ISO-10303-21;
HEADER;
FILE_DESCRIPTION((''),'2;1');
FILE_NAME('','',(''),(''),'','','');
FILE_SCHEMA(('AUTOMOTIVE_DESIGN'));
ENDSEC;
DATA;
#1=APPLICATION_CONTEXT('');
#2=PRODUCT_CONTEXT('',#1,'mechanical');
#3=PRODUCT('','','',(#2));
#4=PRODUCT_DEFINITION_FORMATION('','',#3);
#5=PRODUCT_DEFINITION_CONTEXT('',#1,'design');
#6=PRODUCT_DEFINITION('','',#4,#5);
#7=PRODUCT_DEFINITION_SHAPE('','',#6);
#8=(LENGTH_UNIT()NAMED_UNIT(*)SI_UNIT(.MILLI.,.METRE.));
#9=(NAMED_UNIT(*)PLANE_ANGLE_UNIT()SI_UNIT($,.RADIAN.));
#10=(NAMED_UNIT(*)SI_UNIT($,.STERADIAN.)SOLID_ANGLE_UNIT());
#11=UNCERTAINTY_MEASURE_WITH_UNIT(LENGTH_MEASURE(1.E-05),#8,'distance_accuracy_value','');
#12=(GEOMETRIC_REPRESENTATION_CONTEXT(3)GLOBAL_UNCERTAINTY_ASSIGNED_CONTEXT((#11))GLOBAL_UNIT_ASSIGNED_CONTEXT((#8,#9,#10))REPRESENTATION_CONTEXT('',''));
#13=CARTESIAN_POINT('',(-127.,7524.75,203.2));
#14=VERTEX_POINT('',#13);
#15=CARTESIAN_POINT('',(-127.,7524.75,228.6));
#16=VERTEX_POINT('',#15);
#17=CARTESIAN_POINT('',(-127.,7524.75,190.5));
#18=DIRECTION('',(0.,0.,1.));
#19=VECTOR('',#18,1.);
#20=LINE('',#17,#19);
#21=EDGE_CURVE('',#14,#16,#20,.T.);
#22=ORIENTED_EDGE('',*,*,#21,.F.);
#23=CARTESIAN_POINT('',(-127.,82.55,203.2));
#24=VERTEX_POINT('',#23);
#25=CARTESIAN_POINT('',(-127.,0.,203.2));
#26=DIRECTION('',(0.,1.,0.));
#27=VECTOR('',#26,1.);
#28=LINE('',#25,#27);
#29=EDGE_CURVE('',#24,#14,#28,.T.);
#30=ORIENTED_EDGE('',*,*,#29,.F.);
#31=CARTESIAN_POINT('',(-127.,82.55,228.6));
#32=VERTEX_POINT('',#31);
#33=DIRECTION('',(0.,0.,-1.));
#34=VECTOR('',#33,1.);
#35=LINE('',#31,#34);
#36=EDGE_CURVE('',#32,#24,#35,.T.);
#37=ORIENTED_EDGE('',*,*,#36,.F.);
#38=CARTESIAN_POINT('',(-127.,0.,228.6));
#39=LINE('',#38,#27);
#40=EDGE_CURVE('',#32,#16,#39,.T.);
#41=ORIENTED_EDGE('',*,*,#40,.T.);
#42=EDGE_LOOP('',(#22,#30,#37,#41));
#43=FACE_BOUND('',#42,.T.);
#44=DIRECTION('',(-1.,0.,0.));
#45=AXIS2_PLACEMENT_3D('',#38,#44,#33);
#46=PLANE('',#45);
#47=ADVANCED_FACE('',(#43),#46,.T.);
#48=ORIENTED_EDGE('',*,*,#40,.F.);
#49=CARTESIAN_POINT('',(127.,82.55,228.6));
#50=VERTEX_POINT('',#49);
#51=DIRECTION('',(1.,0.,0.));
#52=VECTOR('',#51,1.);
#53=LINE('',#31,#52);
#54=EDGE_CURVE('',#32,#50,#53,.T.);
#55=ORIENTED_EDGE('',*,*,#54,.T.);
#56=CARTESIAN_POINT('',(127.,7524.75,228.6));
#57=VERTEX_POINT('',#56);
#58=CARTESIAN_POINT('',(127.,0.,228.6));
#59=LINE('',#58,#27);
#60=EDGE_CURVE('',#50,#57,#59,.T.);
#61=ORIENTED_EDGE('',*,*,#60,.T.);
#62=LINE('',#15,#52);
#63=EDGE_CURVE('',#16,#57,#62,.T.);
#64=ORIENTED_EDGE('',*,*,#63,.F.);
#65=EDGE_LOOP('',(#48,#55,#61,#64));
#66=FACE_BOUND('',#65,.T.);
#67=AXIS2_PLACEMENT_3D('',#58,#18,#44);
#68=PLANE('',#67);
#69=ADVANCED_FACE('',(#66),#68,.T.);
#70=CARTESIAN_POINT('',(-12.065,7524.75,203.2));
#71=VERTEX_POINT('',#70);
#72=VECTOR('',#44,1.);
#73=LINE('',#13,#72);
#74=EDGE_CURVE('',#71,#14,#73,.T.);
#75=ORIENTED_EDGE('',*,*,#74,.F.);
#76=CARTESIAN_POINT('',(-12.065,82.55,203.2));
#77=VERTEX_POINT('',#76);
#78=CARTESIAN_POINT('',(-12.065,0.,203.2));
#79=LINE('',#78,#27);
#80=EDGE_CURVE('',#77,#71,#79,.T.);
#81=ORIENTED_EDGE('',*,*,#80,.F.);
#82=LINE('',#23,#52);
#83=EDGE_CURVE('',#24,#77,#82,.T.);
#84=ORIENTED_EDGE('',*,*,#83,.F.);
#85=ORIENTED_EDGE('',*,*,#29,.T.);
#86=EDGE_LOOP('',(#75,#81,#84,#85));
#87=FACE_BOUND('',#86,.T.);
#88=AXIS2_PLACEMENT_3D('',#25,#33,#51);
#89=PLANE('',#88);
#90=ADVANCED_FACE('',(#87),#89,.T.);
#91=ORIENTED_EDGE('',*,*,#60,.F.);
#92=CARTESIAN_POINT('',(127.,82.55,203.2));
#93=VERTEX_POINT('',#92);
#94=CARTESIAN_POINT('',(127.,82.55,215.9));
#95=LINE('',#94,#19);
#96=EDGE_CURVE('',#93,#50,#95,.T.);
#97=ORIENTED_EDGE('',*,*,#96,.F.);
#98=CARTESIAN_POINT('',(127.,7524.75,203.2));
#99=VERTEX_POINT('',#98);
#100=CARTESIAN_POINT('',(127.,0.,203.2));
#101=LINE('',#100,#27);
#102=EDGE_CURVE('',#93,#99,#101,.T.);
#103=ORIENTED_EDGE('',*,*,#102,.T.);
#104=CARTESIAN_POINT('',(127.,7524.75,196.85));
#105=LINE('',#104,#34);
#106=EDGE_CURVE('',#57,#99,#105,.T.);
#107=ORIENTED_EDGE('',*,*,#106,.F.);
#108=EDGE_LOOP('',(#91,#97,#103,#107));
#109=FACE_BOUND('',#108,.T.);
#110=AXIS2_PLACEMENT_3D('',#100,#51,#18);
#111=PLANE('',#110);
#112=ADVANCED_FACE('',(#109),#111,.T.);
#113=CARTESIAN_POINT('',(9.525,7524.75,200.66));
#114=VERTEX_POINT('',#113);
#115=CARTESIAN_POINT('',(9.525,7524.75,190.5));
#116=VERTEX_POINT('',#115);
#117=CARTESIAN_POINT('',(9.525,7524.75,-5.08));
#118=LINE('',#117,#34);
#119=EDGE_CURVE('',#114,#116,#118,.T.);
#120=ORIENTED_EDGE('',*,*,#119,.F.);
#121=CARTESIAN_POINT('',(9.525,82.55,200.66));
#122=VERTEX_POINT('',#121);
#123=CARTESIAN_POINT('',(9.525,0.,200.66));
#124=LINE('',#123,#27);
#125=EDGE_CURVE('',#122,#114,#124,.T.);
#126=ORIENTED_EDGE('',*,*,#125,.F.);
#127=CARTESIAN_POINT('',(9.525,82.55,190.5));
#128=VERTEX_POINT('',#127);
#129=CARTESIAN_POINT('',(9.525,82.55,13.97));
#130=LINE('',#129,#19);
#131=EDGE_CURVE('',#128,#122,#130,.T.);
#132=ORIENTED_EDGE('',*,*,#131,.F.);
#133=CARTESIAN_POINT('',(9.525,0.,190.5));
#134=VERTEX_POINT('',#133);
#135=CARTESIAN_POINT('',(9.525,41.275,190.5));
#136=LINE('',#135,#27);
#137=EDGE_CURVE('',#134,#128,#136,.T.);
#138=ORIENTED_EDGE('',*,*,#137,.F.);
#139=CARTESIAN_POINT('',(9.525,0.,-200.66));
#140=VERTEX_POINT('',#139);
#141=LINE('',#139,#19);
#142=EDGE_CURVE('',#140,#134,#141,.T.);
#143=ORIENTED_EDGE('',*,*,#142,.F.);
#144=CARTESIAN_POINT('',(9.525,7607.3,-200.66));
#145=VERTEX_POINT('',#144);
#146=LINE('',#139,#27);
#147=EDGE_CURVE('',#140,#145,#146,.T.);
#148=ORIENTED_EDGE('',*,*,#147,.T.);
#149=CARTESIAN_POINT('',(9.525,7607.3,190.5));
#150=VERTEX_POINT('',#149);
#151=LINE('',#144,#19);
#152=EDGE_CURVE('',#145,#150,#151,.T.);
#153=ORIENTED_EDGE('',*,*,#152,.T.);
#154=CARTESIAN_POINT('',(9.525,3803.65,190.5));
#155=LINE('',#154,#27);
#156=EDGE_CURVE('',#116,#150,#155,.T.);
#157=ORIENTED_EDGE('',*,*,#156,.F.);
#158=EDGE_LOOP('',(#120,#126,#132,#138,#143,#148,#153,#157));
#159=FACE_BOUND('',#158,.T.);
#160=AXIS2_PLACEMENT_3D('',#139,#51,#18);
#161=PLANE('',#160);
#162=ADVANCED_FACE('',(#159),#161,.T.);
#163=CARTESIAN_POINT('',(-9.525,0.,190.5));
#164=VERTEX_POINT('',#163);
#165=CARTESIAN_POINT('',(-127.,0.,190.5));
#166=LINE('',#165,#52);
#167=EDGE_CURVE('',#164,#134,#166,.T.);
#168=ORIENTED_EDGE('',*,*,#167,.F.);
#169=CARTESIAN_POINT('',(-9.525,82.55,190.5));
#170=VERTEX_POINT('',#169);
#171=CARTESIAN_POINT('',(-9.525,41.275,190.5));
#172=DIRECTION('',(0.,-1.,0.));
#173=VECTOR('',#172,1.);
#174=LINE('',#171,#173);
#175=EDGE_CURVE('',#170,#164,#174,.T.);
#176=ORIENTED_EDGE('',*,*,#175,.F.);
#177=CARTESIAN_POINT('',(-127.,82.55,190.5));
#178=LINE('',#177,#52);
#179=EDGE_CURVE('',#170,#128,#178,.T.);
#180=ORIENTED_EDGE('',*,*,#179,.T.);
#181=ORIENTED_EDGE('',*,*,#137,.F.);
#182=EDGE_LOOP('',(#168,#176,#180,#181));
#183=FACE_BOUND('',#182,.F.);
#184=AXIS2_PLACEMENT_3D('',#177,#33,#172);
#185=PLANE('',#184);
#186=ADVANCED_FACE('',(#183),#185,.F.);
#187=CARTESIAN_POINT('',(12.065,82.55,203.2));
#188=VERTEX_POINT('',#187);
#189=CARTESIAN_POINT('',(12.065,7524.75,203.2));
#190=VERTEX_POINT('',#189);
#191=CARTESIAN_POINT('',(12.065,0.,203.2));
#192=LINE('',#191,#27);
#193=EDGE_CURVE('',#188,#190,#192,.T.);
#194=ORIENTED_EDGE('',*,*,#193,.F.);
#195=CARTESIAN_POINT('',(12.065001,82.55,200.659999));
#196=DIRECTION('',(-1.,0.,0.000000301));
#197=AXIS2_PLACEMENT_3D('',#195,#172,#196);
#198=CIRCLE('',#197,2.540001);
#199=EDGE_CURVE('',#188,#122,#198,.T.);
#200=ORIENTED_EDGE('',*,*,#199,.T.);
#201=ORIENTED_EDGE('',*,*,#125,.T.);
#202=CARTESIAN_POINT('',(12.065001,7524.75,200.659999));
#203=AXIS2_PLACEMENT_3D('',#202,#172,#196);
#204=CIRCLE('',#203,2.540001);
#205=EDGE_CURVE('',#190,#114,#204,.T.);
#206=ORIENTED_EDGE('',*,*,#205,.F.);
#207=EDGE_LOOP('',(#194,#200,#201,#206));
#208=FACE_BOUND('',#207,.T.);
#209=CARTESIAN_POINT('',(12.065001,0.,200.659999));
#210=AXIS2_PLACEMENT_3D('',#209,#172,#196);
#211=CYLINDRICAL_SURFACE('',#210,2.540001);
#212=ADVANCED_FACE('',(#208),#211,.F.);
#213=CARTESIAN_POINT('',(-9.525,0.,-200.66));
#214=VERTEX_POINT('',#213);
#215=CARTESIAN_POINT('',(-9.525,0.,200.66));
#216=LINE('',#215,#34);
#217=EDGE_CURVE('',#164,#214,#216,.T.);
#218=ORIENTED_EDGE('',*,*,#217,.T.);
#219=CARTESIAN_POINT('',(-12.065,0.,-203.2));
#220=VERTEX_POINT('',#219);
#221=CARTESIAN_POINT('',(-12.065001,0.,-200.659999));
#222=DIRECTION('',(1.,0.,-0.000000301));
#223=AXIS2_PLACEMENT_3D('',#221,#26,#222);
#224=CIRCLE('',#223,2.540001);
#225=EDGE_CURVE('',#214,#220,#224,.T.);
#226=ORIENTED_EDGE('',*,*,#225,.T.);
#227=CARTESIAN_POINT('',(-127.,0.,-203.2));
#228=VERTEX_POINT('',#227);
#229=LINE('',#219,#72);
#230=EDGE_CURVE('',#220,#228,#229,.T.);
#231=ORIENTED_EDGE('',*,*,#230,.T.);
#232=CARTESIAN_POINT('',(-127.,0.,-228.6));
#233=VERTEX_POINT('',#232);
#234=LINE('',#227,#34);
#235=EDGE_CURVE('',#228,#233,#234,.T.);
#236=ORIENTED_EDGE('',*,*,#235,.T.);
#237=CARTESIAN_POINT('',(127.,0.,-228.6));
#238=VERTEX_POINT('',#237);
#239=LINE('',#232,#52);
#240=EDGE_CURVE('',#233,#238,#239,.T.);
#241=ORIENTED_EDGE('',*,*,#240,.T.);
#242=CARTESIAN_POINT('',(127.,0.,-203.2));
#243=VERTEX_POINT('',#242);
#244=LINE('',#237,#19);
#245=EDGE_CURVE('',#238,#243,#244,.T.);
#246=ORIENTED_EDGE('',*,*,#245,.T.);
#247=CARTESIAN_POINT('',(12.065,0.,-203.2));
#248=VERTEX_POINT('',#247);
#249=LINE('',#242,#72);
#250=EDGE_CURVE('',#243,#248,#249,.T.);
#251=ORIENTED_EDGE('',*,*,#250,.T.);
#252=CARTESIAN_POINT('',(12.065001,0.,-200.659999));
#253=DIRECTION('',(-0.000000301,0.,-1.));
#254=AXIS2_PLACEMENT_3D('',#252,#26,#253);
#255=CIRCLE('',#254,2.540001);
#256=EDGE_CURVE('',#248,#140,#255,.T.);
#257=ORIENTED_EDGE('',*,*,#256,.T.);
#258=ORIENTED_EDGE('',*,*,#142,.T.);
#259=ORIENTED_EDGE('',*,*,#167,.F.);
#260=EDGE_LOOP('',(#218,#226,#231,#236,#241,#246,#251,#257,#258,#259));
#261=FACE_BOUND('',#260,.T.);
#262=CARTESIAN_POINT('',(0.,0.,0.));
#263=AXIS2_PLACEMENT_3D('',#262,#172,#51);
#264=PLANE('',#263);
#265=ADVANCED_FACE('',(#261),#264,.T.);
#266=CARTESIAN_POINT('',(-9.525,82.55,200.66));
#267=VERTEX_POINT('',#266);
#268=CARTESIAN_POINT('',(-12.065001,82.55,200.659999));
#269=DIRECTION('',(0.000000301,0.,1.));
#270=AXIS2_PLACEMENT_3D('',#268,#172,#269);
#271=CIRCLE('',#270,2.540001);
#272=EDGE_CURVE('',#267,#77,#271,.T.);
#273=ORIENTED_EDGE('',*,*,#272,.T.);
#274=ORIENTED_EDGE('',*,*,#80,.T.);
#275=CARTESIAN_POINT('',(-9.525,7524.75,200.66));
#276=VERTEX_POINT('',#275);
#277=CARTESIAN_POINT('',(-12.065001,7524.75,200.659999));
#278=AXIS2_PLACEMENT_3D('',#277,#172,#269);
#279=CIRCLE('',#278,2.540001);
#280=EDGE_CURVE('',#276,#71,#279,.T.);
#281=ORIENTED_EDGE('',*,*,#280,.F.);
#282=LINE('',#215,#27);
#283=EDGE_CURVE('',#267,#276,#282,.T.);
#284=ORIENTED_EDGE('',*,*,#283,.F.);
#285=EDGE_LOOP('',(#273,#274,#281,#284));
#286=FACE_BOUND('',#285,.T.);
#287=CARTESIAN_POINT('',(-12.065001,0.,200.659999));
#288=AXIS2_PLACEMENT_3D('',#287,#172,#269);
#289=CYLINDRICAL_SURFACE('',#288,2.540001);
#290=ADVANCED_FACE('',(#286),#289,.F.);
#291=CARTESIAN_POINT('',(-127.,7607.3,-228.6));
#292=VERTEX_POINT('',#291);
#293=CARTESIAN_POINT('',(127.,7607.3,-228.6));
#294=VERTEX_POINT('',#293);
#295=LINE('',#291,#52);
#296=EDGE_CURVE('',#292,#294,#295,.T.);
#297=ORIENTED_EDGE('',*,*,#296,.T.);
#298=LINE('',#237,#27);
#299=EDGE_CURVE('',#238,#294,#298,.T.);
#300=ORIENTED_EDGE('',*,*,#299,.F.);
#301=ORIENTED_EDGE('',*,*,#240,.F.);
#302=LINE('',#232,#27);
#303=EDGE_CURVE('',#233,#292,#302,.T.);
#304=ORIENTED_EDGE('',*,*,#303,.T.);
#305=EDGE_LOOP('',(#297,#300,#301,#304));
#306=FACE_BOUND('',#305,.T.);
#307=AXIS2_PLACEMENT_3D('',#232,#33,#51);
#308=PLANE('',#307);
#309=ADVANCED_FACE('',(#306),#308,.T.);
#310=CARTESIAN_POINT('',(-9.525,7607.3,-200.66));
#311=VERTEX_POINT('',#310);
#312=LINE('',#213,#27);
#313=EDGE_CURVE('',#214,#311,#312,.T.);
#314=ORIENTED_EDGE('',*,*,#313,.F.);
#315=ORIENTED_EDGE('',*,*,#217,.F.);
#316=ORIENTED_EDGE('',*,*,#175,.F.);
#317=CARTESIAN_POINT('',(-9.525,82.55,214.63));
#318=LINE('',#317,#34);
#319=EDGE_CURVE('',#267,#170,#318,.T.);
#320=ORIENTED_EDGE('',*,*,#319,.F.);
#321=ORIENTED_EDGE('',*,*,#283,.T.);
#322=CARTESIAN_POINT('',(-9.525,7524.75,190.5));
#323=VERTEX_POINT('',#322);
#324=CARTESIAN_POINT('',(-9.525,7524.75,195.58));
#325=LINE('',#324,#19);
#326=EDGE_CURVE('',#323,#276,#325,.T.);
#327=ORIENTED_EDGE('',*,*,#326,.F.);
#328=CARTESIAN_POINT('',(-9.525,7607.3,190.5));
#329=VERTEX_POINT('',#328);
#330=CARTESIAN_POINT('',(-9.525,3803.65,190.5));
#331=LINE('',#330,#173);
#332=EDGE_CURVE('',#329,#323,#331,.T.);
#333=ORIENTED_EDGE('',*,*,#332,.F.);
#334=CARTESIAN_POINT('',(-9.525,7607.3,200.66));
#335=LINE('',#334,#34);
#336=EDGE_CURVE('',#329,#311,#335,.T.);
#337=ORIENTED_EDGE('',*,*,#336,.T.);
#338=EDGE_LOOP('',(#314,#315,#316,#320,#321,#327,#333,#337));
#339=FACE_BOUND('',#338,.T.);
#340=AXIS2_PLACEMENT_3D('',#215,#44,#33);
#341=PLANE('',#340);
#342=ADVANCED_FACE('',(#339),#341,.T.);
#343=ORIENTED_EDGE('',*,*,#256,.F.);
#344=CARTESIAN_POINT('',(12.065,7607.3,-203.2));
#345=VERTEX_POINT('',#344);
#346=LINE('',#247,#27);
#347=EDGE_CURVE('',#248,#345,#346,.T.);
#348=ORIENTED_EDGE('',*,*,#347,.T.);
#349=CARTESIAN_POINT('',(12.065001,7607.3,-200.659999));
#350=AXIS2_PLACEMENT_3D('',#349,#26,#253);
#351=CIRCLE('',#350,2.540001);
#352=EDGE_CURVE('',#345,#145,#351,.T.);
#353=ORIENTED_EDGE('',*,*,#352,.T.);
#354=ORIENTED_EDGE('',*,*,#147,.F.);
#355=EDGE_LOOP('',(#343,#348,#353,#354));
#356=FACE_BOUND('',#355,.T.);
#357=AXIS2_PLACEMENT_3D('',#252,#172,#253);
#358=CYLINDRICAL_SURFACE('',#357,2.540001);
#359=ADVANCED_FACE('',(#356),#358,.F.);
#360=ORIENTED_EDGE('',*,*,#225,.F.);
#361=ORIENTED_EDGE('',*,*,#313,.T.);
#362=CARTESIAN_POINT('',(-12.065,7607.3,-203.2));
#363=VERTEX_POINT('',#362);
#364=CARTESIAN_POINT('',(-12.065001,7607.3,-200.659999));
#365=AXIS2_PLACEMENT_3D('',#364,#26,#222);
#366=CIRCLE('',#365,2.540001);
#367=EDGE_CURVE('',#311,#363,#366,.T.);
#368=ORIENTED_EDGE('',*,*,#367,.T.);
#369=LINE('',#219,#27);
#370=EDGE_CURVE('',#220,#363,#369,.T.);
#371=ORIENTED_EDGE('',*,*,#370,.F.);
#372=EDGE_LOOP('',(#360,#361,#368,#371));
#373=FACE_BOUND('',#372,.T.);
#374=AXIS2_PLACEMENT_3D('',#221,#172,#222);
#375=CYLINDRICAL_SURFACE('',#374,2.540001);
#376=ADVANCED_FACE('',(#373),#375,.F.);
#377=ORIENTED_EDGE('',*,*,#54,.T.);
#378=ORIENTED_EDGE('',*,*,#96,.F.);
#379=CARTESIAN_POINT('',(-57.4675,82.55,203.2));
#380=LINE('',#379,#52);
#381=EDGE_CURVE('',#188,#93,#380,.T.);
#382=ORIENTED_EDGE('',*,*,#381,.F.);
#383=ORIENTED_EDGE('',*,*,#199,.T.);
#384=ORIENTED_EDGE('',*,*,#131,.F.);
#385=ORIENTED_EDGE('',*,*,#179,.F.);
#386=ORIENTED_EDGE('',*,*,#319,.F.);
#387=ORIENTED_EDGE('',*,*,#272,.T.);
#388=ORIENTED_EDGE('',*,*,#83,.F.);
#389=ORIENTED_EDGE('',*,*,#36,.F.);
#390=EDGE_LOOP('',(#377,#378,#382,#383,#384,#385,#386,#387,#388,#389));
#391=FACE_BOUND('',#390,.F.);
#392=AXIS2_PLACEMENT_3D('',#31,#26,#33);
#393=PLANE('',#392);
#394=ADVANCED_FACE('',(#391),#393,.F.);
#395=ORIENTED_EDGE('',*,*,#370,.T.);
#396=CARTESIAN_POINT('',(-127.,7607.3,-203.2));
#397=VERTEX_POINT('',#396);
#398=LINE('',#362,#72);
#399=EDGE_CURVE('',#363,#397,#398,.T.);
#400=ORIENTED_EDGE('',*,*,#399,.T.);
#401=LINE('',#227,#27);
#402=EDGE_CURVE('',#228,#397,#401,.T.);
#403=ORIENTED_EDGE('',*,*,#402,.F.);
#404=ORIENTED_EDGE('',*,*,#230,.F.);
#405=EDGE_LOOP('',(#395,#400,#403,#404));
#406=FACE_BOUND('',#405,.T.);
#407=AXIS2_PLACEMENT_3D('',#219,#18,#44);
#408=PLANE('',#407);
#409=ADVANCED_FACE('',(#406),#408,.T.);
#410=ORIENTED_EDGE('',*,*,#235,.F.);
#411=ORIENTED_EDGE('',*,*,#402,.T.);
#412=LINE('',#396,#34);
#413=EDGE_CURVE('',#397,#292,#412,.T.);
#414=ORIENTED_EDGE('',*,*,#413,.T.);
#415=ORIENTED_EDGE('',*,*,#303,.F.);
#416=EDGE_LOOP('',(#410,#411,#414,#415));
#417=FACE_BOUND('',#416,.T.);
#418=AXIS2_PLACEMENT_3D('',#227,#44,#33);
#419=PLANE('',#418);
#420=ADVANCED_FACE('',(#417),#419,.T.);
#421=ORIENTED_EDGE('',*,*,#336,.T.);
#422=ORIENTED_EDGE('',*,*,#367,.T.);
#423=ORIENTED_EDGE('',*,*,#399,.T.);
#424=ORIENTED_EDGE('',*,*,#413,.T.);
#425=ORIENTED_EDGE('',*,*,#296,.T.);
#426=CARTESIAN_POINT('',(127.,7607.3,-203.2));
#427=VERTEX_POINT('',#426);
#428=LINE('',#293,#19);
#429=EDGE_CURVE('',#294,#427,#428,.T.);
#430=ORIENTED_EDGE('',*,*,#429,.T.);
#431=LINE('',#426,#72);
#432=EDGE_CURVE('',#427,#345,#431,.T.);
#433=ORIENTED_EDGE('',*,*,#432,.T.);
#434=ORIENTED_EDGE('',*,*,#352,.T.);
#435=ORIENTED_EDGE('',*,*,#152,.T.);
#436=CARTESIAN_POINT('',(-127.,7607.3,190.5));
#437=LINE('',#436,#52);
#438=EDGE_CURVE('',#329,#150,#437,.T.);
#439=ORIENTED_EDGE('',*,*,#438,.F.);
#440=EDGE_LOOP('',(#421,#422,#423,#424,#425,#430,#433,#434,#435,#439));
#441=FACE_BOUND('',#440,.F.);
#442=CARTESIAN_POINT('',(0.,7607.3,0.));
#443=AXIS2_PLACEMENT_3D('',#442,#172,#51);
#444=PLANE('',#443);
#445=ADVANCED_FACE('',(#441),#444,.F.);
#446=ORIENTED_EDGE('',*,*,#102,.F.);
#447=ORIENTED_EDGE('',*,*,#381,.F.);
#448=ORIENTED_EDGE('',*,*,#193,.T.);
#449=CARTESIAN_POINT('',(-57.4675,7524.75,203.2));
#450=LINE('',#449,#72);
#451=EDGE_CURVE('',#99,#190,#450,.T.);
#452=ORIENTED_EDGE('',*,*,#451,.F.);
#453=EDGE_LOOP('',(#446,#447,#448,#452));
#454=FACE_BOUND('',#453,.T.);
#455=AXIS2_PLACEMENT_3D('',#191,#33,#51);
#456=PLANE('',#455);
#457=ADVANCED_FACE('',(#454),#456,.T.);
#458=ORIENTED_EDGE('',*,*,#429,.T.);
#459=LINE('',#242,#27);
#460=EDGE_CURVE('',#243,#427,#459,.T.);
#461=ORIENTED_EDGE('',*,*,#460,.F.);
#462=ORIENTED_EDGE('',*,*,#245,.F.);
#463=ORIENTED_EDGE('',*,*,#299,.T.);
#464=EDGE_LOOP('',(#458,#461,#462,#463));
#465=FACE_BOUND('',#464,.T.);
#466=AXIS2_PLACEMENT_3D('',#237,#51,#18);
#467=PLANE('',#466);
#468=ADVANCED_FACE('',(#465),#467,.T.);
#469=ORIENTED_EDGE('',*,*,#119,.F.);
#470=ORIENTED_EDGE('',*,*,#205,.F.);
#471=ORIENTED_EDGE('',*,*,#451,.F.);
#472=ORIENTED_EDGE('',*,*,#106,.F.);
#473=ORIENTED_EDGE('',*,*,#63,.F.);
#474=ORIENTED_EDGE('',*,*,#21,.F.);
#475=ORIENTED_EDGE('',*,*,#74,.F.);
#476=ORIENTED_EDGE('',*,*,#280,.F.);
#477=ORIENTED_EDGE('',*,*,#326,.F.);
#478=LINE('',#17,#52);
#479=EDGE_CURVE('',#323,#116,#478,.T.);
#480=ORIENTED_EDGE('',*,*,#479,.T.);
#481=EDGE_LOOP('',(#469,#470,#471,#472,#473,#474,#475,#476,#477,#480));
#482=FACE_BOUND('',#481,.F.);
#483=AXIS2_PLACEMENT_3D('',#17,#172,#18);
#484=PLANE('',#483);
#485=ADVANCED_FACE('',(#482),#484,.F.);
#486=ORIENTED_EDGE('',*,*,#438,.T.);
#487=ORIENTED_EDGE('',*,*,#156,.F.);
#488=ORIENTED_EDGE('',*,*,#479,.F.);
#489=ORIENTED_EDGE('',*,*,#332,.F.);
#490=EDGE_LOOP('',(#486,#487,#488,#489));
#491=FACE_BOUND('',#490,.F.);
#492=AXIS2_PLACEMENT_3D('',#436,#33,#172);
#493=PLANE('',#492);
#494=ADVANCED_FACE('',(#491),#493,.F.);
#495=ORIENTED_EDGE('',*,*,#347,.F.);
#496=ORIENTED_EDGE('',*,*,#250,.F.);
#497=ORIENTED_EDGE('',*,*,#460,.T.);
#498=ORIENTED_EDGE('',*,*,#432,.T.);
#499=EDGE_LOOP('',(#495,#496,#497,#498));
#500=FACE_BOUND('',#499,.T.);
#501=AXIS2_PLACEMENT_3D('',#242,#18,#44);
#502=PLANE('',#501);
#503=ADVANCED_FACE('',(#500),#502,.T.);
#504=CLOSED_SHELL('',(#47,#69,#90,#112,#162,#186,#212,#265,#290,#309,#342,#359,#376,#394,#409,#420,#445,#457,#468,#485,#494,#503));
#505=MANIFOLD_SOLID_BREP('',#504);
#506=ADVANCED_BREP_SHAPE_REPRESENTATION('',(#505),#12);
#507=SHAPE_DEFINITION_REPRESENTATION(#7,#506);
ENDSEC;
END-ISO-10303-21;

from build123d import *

# Parameters (mm, degrees)
F1_DEPTH = 7607.3
F2_W     = 82.55
F2_H     = 25.4
F2_H_2   = 12.7
F3_DEPTH = 254.001
F4_W     = 82.55
F4_H     = 25.4
F4_H_2   = 12.7
F5_DEPTH = 254.001


with BuildPart() as f1:
    # F0 (on Front) → F1 (new body)
    with BuildSketch(Plane.XZ):
        with BuildLine():
            Line((127, -228.6), (127, -203.2))
            Line((127, -203.2), (12.065, -203.2))
            ThreePointArc((12.065, -203.2), (10.268949, -202.456051), (9.525, -200.66))
            Line((9.525, -200.66), (9.525, 200.66))
            ThreePointArc((9.525, 200.66), (10.268949, 202.456051), (12.065, 203.2))
            Line((12.065, 203.2), (127, 203.2))
            Line((127, 203.2), (127, 228.6))
            Line((127, 228.6), (-127, 228.6))
            Line((-127, 228.6), (-127, 203.2))
            Line((-127, 203.2), (-12.065, 203.2))
            ThreePointArc((-12.065, 203.2), (-10.268949, 202.456051), (-9.525, 200.66))
            Line((-9.525, 200.66), (-9.525, -200.66))
            ThreePointArc((-9.525, -200.66), (-10.268949, -202.456051), (-12.065, -203.2))
            Line((-12.065, -203.2), (-127, -203.2))
            Line((-127, -203.2), (-127, -228.6))
            Line((-127, -228.6), (127, -228.6))
        make_face()
    extrude(amount=-F1_DEPTH)

    # F2 (on face) → F3 (cut, through all)
    with BuildSketch(Plane(origin=(-127, 0, 0), x_dir=(0, -1, 0), z_dir=(-1, 0, 0))):
        with Locations((-7566.025, 215.9)):
            Rectangle(F2_W, F2_H)
        with Locations((-7566.025, 196.85)):
            Rectangle(F2_W, F2_H_2)
    extrude(amount=-F3_DEPTH, mode=Mode.SUBTRACT)

    # F4 (on face) → F5 (cut, through all)
    with BuildSketch(Plane(origin=(-127, 0, 0), x_dir=(0, -1, 0), z_dir=(-1, 0, 0))):
        with Locations((-41.275, 215.9)):
            Rectangle(F4_W, F4_H)
        with Locations((-41.275, 196.85)):
            Rectangle(F4_W, F4_H_2)
    extrude(amount=-F5_DEPTH, mode=Mode.SUBTRACT)


solid = f1.part
